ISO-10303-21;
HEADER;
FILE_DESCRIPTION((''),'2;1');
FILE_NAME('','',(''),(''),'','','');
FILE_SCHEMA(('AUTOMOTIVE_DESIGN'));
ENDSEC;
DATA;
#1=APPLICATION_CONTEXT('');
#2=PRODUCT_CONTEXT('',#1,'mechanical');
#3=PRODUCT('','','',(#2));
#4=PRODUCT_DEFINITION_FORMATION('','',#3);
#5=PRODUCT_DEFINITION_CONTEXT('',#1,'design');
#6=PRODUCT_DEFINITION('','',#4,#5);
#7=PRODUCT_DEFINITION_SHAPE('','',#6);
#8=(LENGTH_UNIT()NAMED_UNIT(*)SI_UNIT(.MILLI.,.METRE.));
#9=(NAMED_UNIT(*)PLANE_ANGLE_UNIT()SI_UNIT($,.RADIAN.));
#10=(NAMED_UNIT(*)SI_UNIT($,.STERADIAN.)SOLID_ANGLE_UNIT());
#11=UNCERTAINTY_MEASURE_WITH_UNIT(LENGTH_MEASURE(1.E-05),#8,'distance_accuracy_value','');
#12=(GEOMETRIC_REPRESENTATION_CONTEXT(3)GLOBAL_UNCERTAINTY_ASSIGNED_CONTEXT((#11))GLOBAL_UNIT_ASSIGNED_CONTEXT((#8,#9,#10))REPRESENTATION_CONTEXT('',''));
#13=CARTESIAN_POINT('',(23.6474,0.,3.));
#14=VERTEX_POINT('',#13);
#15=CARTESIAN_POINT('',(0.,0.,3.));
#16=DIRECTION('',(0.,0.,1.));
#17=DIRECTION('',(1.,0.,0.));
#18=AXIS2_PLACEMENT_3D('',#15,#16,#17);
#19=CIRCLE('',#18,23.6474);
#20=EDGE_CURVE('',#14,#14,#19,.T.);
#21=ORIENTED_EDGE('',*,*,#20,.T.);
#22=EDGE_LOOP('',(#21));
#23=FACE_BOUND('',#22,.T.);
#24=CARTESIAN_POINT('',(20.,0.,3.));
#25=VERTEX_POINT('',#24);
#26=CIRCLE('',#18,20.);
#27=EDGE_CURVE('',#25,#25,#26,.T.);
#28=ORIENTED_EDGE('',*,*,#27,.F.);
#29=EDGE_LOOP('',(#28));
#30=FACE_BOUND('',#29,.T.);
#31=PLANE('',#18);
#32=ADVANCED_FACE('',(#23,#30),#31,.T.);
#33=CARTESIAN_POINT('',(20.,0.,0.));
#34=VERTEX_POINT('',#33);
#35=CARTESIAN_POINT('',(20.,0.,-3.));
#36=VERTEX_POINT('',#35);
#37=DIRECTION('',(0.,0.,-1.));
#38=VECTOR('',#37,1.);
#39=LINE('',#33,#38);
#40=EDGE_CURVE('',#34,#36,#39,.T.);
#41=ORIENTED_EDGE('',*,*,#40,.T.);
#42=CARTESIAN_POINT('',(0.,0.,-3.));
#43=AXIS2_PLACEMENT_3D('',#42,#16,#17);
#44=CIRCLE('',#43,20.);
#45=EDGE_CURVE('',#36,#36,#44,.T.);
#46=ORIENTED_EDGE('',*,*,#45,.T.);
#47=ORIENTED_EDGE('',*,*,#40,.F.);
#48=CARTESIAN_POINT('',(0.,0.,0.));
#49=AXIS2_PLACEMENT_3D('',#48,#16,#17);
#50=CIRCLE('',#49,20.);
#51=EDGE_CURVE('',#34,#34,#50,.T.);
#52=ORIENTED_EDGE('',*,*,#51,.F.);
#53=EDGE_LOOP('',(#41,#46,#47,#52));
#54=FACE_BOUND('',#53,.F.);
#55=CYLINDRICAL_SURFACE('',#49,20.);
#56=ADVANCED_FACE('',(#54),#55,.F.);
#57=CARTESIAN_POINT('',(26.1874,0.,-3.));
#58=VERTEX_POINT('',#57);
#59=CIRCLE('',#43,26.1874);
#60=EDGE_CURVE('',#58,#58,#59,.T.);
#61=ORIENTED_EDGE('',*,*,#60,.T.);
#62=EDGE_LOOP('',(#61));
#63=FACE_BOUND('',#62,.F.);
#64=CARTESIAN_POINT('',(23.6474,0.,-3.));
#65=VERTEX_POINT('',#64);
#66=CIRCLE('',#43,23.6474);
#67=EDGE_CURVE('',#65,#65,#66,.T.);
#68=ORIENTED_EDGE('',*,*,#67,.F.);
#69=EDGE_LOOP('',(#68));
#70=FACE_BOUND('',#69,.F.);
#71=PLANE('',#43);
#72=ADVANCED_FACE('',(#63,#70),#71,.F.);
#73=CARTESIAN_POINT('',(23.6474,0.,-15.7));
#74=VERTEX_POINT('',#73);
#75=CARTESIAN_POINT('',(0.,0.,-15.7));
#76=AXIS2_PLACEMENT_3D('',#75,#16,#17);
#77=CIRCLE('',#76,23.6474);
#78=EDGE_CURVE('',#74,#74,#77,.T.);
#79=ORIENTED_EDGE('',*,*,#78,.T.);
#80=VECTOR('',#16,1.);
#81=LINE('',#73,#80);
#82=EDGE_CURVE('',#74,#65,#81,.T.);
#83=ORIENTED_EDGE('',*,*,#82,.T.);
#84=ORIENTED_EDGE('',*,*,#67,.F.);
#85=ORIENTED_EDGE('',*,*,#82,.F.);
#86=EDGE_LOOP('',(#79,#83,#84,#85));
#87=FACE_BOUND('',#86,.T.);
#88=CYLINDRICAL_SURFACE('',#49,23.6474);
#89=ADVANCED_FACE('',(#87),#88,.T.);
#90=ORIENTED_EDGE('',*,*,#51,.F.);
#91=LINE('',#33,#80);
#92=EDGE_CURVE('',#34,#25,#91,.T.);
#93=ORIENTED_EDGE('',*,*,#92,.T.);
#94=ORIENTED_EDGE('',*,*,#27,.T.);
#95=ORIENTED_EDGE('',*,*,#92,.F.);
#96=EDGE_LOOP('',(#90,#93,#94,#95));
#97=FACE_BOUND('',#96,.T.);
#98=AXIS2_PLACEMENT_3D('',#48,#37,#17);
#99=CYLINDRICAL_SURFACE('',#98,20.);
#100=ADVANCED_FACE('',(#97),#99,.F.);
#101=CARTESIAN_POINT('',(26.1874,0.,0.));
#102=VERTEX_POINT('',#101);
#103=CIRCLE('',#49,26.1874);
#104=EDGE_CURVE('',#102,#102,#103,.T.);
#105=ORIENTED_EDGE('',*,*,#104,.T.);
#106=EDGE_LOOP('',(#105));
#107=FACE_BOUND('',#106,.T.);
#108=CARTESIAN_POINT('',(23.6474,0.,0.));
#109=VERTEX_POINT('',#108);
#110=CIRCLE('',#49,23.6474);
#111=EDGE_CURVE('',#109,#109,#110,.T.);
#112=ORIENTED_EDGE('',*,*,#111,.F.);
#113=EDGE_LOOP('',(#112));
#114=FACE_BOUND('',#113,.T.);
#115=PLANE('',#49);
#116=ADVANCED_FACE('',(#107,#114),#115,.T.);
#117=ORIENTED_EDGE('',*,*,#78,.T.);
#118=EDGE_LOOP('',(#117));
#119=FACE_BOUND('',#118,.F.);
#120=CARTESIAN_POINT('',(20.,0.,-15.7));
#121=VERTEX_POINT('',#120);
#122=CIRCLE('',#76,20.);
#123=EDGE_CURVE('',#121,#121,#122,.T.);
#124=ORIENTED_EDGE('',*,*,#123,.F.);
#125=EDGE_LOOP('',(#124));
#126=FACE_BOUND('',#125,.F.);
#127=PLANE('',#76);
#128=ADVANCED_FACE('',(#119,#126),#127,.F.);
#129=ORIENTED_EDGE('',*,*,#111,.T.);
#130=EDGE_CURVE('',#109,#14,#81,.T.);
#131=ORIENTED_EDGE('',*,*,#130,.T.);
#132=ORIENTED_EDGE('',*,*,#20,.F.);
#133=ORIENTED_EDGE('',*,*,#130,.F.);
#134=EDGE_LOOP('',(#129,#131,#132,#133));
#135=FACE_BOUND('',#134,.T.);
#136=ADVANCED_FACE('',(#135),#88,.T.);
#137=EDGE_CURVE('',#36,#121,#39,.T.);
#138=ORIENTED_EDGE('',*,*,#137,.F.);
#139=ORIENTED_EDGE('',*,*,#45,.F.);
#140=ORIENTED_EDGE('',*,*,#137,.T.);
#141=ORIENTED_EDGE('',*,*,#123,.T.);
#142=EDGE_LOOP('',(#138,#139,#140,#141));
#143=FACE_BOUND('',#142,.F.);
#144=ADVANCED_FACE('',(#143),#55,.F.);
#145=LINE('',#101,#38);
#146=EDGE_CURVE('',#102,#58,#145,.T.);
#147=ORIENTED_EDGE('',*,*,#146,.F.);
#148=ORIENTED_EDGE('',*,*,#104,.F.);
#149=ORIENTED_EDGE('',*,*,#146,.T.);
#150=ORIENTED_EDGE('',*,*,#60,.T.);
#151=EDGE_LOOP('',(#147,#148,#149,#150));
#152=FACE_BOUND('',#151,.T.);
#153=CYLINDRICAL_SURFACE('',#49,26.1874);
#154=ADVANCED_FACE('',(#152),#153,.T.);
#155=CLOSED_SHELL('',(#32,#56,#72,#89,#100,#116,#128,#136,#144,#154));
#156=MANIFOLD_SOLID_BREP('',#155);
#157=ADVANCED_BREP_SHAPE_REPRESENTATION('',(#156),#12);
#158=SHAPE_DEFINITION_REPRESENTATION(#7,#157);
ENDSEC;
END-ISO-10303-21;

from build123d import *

# Parameters (mm, degrees)
F1_R          = 23.6474
F1_R_2        = 20
F2_DEPTH      = 3
F2_DEPTH_BACK = 15.7
F1_R_3        = 26.1874
F3_DEPTH      = 3


with BuildPart() as f2:
    # F1 (on Top) → F2 (new body, two sides)
    with BuildSketch(Plane.XY) as f2_sk:
        Circle(F1_R)
        Circle(F1_R_2, mode=Mode.SUBTRACT)
    extrude(amount=F2_DEPTH)
    extrude(f2_sk.sketch, amount=-F2_DEPTH_BACK)

    # F1 (on Top) → F3 (join)
    with BuildSketch(Plane.XY):
        Circle(F1_R_3)
        Circle(F1_R, mode=Mode.SUBTRACT)
        Circle(F1_R)
        Circle(F1_R_2, mode=Mode.SUBTRACT)
    extrude(amount=-F3_DEPTH)


solid = f2.part
